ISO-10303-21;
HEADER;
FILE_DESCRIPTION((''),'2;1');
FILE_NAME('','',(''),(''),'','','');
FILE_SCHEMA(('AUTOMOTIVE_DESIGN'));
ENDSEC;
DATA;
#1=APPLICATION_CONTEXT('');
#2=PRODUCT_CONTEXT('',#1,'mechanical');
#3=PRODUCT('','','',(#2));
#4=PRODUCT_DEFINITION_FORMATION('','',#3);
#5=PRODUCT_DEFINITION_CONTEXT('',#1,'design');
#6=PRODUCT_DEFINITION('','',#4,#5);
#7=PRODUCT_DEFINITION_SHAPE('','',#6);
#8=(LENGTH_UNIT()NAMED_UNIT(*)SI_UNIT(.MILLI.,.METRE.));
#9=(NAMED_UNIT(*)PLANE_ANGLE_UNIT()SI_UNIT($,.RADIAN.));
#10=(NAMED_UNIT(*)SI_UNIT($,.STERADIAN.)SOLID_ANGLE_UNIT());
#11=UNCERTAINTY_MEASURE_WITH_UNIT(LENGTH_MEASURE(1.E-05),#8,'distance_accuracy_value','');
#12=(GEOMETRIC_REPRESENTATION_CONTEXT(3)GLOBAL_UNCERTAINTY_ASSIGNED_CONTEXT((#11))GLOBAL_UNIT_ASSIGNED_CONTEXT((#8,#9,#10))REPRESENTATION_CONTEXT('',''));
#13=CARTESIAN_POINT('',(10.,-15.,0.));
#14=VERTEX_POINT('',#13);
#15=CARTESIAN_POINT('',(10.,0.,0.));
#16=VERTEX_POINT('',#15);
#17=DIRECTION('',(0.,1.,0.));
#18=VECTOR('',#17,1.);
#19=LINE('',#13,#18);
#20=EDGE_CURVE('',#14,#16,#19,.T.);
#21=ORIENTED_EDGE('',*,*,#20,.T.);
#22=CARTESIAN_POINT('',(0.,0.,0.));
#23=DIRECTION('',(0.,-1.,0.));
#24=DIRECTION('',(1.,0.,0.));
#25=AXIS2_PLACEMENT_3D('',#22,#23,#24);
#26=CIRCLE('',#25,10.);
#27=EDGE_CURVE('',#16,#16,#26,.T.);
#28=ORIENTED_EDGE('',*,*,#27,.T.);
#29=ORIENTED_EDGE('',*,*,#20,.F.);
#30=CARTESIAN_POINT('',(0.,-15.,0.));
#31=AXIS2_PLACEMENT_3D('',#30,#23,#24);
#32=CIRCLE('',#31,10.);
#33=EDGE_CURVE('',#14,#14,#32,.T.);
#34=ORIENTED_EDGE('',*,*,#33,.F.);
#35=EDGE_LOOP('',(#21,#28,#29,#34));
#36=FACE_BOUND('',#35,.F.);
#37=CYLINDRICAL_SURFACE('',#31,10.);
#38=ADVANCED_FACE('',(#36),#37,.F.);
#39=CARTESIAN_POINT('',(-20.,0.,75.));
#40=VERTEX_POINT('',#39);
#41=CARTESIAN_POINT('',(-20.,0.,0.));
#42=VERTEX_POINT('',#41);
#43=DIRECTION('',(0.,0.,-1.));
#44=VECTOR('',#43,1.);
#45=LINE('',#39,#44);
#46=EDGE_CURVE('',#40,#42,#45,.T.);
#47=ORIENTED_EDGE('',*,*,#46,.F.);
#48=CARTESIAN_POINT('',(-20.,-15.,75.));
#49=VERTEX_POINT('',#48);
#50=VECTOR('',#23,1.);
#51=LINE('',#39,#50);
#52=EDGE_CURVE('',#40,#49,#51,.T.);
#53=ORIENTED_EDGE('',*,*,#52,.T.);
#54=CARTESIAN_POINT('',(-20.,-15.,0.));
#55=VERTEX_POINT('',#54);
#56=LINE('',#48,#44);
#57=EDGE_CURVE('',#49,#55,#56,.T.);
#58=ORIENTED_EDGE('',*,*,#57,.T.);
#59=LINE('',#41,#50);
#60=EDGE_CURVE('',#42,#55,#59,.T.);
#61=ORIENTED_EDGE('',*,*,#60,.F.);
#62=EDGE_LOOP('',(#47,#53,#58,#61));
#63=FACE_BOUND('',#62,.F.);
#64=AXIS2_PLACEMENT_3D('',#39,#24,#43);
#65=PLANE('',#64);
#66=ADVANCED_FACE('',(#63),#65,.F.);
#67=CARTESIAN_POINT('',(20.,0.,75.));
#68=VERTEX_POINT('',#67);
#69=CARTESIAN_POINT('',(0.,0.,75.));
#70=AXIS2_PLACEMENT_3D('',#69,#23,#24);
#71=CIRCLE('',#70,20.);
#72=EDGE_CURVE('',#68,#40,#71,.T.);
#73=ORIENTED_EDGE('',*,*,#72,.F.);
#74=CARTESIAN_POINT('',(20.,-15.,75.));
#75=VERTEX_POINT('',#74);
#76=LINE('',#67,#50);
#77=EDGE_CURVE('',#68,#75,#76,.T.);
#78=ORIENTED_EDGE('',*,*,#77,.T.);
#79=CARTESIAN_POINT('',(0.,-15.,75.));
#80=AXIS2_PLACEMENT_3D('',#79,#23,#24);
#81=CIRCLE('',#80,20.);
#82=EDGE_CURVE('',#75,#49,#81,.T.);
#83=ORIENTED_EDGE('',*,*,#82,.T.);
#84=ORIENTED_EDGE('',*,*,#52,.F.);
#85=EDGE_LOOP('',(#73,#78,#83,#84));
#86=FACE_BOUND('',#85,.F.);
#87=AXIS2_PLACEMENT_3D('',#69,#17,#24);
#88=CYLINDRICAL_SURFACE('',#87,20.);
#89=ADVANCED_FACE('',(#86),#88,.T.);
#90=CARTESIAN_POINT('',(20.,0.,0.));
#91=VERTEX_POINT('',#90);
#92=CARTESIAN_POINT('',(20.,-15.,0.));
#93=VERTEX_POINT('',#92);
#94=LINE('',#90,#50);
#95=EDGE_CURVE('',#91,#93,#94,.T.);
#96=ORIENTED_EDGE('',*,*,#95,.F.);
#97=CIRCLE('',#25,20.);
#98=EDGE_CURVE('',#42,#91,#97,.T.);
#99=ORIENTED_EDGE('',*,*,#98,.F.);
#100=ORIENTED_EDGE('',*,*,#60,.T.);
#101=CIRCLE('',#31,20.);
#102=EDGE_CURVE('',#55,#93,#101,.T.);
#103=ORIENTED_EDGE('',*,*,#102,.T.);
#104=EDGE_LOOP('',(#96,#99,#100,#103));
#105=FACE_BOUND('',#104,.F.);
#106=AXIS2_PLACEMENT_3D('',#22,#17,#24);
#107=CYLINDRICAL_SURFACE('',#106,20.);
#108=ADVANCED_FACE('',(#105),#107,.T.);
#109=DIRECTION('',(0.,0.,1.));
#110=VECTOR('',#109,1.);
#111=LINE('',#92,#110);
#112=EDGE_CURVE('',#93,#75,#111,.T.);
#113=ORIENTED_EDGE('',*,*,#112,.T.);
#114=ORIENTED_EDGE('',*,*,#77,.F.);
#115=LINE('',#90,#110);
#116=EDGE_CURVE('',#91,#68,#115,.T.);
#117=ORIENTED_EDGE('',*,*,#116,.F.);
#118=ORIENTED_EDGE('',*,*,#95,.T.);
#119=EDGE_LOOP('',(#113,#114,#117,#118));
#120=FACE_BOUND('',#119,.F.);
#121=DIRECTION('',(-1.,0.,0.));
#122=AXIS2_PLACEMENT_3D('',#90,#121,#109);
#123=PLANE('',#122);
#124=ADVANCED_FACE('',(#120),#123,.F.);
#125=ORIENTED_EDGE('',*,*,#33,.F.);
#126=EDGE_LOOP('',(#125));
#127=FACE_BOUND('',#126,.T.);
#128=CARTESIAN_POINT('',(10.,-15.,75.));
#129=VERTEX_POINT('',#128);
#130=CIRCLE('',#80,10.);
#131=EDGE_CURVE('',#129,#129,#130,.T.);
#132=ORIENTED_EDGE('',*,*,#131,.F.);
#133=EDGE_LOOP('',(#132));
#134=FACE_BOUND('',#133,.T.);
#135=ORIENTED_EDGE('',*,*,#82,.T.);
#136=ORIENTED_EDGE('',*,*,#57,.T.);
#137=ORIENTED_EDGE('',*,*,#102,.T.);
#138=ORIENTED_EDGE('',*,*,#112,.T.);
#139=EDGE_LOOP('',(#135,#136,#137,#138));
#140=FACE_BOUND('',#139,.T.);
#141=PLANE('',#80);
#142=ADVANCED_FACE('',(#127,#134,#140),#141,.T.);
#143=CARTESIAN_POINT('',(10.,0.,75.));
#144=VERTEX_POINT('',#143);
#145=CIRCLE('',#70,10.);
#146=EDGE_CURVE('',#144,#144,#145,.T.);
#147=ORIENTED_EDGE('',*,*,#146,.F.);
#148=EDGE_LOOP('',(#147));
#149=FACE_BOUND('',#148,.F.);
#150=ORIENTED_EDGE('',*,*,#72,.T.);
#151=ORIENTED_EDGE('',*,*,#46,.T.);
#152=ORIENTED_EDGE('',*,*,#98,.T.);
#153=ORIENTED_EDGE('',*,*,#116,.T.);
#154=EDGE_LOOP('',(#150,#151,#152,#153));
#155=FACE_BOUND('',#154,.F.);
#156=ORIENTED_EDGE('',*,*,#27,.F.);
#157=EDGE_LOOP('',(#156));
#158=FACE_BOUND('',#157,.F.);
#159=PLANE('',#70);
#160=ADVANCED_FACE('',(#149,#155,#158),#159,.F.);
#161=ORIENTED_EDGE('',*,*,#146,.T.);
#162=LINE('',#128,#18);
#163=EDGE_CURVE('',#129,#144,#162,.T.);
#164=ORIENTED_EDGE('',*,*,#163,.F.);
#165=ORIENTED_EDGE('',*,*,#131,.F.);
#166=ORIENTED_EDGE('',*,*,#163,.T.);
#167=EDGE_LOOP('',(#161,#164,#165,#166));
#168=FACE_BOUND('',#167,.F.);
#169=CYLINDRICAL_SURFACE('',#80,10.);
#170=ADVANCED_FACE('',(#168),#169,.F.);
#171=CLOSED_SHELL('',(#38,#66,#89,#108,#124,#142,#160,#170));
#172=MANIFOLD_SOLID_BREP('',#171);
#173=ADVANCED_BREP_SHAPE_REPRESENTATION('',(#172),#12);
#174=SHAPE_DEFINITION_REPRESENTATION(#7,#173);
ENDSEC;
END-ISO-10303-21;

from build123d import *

# Parameters (mm, degrees)
F1_DEPTH = 15
F2_R     = 10
F3_DEPTH = 25


with BuildPart() as f1:
    # F0 (on Front) → F1 (new body)
    with BuildSketch(Plane.XZ):
        with BuildLine():
            ThreePointArc((-20, 75), (0, 55), (20, 75))
            ThreePointArc((20, 75), (0, 95), (-20, 75))
        make_face()
        with BuildLine():
            ThreePointArc((-20, 0), (0, 20), (20, 0))
            Line((20, 0), (20, 75))
            ThreePointArc((20, 75), (0, 55), (-20, 75))
            Line((-20, 75), (-20, 0))
        make_face()
        with BuildLine():
            ThreePointArc((-20, 0), (0, -20), (20, 0))
            ThreePointArc((20, 0), (0, 20), (-20, 0))
        make_face()
    extrude(amount=F1_DEPTH)

    # F2 (on face) → F3 (cut)
    with BuildSketch(Plane.XZ.offset(15)):
        with Locations((0, 75)):
            Circle(F2_R)
        Circle(F2_R)
    extrude(amount=-F3_DEPTH, mode=Mode.SUBTRACT)


solid = f1.part
